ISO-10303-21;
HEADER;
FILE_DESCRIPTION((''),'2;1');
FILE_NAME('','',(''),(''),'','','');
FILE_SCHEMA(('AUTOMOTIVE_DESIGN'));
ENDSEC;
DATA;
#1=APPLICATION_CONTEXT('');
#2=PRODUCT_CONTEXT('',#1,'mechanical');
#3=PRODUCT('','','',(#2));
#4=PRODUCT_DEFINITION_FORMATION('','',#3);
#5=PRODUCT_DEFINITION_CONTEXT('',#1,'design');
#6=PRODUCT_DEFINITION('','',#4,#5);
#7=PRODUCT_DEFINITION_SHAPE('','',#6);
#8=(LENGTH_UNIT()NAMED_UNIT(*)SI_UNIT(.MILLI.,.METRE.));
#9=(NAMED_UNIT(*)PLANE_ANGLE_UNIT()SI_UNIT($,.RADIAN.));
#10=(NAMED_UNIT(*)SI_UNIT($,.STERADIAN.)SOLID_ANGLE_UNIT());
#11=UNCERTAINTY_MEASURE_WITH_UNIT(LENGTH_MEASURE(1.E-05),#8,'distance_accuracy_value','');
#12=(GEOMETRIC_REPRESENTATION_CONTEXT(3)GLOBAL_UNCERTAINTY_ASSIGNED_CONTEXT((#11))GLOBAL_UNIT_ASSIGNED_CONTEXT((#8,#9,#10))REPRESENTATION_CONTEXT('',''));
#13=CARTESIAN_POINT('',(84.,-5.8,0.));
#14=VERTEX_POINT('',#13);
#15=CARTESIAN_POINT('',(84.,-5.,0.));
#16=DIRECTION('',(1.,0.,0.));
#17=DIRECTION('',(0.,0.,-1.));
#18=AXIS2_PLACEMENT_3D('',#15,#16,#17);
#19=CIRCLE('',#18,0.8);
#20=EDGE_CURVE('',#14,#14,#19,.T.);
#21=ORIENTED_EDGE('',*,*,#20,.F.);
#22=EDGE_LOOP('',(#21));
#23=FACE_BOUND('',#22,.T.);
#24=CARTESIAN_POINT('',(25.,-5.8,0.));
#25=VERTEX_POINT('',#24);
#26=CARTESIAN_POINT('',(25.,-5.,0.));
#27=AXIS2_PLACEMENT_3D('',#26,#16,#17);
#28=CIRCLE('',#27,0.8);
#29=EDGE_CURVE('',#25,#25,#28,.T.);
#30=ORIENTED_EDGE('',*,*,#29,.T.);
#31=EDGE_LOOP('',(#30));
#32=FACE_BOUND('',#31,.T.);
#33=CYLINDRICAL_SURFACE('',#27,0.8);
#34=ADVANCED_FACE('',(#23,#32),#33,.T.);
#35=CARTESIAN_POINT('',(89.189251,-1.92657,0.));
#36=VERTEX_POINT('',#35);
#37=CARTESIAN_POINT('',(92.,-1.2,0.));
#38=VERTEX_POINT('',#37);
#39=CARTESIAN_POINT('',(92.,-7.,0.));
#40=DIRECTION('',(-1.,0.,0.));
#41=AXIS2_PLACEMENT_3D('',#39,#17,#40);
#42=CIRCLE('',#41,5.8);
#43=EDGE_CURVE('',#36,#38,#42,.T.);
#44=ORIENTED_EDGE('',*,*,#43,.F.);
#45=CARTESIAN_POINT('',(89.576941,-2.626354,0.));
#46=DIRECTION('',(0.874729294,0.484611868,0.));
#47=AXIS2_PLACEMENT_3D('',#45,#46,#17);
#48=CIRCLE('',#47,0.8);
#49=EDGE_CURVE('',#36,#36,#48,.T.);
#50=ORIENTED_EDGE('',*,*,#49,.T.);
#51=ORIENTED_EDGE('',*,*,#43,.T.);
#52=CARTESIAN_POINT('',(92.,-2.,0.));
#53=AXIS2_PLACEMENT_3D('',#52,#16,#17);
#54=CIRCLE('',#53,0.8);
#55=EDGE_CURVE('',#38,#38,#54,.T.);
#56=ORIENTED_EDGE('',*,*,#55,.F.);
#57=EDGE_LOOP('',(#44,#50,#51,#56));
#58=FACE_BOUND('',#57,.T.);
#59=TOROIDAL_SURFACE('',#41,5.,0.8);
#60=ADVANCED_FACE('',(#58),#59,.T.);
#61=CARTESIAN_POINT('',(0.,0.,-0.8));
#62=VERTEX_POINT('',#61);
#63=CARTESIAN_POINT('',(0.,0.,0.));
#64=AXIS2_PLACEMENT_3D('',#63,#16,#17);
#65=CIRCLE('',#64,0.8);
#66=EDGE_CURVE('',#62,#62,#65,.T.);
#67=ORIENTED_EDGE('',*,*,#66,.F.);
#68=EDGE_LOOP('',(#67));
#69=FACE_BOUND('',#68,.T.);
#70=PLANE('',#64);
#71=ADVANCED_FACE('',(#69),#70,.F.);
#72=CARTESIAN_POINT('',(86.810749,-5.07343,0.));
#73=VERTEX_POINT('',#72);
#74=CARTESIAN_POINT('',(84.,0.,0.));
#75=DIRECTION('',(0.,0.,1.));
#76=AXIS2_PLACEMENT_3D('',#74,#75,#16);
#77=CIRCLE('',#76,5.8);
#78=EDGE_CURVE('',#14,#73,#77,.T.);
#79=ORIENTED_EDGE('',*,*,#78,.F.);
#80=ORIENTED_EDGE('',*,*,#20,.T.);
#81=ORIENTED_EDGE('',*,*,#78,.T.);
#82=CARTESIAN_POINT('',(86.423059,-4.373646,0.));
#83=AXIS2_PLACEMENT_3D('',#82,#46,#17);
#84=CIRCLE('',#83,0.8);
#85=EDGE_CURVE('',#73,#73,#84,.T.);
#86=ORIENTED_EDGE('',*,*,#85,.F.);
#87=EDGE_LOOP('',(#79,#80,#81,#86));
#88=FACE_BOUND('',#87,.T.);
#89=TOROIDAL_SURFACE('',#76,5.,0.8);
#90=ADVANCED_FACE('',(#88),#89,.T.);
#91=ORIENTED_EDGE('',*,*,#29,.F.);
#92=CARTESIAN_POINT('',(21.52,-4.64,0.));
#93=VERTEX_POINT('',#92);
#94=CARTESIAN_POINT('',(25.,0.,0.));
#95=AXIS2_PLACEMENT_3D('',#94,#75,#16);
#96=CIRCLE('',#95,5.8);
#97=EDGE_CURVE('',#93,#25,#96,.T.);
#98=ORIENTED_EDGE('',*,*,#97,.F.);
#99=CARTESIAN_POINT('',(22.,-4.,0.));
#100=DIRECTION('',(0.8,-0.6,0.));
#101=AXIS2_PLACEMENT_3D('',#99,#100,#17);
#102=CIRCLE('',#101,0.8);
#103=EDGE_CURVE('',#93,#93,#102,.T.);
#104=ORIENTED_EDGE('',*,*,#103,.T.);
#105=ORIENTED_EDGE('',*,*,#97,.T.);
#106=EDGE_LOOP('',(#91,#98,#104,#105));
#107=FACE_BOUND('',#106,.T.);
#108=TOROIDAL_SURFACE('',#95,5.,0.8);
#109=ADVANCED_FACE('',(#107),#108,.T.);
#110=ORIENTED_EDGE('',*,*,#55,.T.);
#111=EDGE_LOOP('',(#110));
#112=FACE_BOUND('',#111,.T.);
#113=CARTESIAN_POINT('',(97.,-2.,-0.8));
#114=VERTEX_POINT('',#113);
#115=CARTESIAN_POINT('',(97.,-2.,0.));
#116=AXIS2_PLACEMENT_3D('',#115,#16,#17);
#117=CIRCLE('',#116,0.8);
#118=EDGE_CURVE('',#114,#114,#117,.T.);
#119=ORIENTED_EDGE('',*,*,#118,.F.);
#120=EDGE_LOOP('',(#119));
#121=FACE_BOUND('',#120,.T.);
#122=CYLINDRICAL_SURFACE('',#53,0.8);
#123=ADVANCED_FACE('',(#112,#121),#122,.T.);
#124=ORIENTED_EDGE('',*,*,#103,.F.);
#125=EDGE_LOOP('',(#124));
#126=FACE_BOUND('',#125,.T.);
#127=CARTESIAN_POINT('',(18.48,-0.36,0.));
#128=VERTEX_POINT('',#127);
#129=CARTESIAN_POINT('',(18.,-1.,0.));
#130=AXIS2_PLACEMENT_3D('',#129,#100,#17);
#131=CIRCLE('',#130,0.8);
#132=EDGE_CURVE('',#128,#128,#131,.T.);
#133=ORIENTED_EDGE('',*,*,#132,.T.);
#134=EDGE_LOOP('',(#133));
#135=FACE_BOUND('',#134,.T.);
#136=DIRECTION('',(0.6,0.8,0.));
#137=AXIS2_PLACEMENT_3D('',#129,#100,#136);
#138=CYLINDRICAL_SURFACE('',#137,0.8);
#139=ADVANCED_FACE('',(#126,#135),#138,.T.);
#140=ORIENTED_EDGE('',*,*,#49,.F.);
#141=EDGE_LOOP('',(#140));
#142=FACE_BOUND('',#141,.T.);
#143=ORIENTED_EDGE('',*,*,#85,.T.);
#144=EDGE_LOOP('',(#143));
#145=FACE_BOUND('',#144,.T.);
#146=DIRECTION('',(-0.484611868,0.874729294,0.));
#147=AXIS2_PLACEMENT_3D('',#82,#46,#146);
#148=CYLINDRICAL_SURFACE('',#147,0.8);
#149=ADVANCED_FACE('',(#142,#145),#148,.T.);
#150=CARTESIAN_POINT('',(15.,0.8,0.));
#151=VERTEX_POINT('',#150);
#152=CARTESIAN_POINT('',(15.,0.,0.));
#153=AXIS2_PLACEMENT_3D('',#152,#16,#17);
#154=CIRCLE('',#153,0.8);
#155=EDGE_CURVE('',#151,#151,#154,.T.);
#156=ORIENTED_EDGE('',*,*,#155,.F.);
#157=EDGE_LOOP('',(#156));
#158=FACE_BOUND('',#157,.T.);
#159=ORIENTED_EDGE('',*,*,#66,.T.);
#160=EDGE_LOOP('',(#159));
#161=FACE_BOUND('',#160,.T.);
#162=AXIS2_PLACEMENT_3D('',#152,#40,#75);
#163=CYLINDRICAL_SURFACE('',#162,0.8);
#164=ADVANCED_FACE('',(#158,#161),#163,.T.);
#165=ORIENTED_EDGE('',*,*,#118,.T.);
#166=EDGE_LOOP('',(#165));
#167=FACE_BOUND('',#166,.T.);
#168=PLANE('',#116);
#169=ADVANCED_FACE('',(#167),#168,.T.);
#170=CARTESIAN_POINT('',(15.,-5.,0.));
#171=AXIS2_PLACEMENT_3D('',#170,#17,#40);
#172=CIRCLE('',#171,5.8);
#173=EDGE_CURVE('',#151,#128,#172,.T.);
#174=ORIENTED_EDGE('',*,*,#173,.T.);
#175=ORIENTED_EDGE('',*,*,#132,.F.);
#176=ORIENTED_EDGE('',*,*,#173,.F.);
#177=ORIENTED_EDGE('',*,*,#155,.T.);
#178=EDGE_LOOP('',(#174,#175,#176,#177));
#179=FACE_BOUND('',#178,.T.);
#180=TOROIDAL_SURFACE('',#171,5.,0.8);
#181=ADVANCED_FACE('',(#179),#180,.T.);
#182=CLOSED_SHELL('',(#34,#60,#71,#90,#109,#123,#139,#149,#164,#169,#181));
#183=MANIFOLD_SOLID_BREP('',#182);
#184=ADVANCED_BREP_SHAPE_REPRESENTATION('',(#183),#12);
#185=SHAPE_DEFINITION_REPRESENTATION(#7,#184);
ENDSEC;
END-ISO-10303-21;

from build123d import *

# Parameters (mm, degrees)
SKETCH1_R = 0.8


with BuildPart() as part:
    # Sweep1: sweep along a path in Sketch2
    with BuildLine(Plane.XY) as sweep1_path:
        Line((0, 0), (15, 0))
        ThreePointArc((15, 0), (16.58113883, -0.25658351), (18, -1))
        Line((18, -1), (22, -4))
        ThreePointArc((22, -4), (23.41886117, -4.74341649), (25, -5))
        Line((25, -5), (84, -5))
        ThreePointArc((84, -5), (85.251352799, -4.84087969), (86.423059339, -4.373646469))
        Line((86.423059339, -4.373646469), (89.576940661, -2.626353531))
        ThreePointArc((89.576940661, -2.626353531), (90.748647201, -2.15912031), (92, -2))
        Line((92, -2), (97, -2))
    # Sketch1 → Sweep1 (sweep)
    with BuildSketch(Plane(origin=(0, 0, 0), x_dir=(0, 0, -1), z_dir=(1, 0, 0))):
        Circle(SKETCH1_R)
    sweep(path=sweep1_path.line)


solid = part.part
